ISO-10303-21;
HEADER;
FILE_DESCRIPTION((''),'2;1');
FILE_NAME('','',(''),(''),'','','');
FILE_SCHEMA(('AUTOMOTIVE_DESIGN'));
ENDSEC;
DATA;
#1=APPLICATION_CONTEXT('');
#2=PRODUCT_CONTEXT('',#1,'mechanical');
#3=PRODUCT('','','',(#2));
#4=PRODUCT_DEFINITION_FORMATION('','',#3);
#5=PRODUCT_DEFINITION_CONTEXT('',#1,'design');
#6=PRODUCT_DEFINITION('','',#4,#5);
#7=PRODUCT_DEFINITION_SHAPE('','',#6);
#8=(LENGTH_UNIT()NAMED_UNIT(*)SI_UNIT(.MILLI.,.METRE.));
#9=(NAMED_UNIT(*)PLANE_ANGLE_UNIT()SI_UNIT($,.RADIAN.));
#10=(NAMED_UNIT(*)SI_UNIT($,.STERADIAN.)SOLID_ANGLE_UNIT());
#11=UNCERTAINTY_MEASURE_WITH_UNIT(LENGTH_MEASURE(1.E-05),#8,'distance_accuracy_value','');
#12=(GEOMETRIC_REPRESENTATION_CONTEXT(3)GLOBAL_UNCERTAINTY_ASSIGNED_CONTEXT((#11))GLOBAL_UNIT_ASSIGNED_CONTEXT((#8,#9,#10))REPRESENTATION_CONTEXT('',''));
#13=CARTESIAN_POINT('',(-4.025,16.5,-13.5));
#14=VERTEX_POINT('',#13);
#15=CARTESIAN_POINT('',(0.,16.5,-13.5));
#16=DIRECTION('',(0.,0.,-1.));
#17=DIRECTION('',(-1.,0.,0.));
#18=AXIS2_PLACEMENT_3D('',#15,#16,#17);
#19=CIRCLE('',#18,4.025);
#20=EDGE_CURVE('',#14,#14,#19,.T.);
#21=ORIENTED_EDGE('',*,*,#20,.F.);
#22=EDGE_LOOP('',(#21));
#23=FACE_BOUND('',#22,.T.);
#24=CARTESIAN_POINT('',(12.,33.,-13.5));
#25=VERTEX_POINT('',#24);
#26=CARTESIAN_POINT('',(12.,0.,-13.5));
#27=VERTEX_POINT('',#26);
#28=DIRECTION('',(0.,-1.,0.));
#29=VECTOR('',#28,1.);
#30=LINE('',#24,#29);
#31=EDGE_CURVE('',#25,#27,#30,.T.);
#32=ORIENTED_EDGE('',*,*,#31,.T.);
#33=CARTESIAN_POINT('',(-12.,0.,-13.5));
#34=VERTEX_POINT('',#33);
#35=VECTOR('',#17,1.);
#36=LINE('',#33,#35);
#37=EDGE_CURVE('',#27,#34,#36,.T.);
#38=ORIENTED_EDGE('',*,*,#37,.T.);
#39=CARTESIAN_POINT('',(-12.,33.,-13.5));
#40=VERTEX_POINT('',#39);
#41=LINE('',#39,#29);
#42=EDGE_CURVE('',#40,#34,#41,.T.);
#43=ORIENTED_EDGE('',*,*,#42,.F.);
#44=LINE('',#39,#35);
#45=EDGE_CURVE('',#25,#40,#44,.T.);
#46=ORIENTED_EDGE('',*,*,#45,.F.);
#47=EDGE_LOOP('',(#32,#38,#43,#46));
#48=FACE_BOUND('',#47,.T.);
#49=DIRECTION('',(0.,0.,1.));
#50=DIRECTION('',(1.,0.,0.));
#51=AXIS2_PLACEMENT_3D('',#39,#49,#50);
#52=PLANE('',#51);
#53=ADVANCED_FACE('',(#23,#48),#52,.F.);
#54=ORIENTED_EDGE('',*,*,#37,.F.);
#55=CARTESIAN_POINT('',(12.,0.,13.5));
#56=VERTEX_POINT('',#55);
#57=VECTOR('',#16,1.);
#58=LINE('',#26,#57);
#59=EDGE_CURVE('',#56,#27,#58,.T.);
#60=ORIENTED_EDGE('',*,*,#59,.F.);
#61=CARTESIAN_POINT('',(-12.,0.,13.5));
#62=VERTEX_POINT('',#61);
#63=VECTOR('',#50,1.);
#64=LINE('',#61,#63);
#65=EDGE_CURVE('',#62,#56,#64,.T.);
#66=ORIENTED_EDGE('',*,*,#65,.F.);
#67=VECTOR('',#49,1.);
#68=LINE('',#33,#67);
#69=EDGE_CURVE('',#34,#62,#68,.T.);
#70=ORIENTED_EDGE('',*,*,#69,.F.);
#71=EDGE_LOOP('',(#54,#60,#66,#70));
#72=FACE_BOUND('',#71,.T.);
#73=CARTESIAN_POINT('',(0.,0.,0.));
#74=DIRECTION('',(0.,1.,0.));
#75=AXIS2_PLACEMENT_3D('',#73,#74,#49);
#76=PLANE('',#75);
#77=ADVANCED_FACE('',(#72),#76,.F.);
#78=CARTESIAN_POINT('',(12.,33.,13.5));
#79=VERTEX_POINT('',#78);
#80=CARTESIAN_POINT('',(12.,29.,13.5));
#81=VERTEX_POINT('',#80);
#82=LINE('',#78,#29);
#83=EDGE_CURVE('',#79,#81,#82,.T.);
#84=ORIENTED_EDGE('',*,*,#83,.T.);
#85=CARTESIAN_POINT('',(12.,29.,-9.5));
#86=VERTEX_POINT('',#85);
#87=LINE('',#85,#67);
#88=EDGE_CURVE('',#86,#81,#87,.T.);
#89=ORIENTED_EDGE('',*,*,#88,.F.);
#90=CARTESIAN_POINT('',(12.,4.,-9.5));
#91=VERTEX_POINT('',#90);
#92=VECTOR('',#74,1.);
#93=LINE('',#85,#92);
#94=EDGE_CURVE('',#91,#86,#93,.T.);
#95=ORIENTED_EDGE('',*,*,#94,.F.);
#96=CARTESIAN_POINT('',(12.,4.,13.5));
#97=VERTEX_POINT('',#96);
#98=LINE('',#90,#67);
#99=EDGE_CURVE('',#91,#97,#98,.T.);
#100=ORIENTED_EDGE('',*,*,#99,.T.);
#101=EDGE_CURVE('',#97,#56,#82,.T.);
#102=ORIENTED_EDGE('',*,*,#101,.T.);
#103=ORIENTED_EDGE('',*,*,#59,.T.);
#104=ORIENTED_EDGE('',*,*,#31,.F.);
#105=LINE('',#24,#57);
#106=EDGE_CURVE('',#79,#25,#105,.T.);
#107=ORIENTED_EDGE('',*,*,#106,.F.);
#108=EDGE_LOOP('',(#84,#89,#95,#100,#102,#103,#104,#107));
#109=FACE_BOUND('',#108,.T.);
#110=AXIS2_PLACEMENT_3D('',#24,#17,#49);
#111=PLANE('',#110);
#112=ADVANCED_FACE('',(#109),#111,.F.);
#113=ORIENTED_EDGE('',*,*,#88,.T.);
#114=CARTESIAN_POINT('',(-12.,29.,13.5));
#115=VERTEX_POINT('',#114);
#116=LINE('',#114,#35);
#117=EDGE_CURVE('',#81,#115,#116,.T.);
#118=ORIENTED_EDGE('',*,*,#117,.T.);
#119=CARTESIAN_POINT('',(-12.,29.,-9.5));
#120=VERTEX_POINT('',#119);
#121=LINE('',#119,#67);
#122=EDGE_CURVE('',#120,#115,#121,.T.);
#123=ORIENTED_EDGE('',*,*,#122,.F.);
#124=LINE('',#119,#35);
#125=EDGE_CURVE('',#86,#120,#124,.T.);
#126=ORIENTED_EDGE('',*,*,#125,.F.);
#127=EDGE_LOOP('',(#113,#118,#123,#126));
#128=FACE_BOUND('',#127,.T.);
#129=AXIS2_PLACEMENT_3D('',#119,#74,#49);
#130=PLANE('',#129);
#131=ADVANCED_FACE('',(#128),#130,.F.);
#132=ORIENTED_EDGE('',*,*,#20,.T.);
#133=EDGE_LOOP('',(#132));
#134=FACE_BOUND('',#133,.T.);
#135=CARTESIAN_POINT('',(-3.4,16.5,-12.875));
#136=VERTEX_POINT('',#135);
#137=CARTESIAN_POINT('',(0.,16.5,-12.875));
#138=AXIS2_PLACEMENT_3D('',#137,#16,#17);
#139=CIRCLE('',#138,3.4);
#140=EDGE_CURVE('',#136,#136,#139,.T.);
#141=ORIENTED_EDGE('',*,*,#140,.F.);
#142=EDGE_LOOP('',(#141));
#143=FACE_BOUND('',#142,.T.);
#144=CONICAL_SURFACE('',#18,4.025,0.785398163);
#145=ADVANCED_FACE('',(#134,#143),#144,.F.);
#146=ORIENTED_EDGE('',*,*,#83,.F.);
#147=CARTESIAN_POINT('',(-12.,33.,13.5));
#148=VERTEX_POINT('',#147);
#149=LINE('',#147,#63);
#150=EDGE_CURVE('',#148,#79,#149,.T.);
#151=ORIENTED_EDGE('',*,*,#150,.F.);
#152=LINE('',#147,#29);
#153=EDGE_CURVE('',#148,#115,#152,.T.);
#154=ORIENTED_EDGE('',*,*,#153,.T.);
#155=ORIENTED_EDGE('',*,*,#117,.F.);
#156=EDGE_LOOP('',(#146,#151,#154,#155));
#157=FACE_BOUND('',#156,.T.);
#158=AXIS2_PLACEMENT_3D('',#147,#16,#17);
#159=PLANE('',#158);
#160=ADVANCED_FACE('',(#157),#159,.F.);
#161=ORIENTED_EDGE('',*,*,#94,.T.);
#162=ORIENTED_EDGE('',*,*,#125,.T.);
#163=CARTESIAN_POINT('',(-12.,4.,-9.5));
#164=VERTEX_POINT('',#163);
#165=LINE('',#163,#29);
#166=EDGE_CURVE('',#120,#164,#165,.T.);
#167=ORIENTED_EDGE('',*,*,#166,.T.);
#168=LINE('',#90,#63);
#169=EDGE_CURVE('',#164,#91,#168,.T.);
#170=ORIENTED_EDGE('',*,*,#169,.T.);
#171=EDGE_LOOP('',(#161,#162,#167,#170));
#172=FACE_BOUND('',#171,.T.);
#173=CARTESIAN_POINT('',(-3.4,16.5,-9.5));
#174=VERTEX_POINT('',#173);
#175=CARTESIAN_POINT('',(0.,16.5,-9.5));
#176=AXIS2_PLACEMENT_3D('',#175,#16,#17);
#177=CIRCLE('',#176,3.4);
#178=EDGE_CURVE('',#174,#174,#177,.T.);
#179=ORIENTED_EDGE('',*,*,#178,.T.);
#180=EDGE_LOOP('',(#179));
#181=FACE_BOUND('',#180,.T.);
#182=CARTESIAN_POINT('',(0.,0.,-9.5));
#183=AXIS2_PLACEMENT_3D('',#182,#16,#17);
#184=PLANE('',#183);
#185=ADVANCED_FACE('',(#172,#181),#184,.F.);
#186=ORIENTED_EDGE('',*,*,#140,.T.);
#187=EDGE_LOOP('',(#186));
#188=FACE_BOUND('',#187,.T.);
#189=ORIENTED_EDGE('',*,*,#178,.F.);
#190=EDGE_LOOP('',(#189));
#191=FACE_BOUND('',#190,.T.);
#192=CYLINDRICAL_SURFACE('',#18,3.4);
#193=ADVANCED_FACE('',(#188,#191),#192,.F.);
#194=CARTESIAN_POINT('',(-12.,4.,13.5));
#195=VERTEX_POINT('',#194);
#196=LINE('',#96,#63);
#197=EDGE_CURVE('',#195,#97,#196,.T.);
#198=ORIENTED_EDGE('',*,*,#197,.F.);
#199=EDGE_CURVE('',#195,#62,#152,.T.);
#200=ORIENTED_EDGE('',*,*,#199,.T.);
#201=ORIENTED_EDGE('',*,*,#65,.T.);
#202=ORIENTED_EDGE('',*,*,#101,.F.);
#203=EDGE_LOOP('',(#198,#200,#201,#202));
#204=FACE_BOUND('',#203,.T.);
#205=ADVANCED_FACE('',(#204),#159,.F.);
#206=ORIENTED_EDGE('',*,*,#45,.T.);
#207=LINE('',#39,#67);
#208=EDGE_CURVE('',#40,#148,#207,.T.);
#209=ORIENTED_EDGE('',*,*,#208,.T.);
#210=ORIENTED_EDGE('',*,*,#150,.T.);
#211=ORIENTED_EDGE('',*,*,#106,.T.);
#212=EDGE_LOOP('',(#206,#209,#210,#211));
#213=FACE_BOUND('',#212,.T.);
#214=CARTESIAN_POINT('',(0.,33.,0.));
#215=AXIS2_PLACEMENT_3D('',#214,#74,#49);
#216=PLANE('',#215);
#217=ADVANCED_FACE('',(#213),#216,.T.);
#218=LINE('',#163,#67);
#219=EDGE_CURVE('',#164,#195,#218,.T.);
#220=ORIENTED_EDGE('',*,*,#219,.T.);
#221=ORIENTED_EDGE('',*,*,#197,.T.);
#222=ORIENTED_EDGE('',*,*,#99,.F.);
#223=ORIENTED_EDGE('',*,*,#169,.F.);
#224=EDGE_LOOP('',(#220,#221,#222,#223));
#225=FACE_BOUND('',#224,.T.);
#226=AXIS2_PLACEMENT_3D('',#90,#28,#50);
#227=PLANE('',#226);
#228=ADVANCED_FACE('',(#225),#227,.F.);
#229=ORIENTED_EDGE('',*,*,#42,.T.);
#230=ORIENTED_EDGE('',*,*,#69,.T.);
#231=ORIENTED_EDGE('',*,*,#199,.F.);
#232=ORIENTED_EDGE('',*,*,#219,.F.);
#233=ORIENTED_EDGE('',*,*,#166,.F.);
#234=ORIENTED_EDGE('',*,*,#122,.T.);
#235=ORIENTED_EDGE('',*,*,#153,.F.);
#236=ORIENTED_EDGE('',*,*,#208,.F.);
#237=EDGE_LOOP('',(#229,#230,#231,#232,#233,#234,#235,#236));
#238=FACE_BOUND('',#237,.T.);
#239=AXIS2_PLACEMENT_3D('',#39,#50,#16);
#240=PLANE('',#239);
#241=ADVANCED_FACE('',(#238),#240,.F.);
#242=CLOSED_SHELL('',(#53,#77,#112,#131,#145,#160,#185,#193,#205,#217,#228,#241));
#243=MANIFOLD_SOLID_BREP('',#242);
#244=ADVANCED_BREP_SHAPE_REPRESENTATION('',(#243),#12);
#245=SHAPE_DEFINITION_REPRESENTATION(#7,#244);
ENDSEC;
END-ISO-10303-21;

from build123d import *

# Parameters (mm, degrees)
SKETCH_1_W          = 24
SKETCH_1_H          = 27
EXTRUDE_1_DEPTH     = 33
SKETCH_3_W          = 24
SKETCH_3_H          = 25
CUT_EXTRUDE_1_DEPTH = 23


with BuildPart() as part:
    # 草图1 → 凸台-拉伸1 (new body)
    with BuildSketch(Plane(origin=(0, 0, 0), x_dir=(1, 0, 0), z_dir=(0, 1, 0))):
        Rectangle(SKETCH_1_W, SKETCH_1_H)
    extrude(amount=EXTRUDE_1_DEPTH)

    # 草图3 → 切除-拉伸1 (cut)
    with BuildSketch(Plane.XY.offset(13.5)):
        with Locations((0, 16.5)):
            Rectangle(SKETCH_3_W, SKETCH_3_H)
    extrude(amount=-CUT_EXTRUDE_1_DEPTH, mode=Mode.SUBTRACT)

    # 草图5 → M8 螺纹孔1 (revolve, cut)
    with BuildSketch(Plane(origin=(0, 16.5, -13.5), x_dir=(0, 1, 0), z_dir=(1, 0, 0))):
        Polygon((0, 0), (0, 4), (3.4, 4), (3.4, 0.625), (4.025, 0), align=None)
    revolve(axis=Axis((0, 16.5, -19.85), (0, 0, 1)), mode=Mode.SUBTRACT)


solid = part.part
